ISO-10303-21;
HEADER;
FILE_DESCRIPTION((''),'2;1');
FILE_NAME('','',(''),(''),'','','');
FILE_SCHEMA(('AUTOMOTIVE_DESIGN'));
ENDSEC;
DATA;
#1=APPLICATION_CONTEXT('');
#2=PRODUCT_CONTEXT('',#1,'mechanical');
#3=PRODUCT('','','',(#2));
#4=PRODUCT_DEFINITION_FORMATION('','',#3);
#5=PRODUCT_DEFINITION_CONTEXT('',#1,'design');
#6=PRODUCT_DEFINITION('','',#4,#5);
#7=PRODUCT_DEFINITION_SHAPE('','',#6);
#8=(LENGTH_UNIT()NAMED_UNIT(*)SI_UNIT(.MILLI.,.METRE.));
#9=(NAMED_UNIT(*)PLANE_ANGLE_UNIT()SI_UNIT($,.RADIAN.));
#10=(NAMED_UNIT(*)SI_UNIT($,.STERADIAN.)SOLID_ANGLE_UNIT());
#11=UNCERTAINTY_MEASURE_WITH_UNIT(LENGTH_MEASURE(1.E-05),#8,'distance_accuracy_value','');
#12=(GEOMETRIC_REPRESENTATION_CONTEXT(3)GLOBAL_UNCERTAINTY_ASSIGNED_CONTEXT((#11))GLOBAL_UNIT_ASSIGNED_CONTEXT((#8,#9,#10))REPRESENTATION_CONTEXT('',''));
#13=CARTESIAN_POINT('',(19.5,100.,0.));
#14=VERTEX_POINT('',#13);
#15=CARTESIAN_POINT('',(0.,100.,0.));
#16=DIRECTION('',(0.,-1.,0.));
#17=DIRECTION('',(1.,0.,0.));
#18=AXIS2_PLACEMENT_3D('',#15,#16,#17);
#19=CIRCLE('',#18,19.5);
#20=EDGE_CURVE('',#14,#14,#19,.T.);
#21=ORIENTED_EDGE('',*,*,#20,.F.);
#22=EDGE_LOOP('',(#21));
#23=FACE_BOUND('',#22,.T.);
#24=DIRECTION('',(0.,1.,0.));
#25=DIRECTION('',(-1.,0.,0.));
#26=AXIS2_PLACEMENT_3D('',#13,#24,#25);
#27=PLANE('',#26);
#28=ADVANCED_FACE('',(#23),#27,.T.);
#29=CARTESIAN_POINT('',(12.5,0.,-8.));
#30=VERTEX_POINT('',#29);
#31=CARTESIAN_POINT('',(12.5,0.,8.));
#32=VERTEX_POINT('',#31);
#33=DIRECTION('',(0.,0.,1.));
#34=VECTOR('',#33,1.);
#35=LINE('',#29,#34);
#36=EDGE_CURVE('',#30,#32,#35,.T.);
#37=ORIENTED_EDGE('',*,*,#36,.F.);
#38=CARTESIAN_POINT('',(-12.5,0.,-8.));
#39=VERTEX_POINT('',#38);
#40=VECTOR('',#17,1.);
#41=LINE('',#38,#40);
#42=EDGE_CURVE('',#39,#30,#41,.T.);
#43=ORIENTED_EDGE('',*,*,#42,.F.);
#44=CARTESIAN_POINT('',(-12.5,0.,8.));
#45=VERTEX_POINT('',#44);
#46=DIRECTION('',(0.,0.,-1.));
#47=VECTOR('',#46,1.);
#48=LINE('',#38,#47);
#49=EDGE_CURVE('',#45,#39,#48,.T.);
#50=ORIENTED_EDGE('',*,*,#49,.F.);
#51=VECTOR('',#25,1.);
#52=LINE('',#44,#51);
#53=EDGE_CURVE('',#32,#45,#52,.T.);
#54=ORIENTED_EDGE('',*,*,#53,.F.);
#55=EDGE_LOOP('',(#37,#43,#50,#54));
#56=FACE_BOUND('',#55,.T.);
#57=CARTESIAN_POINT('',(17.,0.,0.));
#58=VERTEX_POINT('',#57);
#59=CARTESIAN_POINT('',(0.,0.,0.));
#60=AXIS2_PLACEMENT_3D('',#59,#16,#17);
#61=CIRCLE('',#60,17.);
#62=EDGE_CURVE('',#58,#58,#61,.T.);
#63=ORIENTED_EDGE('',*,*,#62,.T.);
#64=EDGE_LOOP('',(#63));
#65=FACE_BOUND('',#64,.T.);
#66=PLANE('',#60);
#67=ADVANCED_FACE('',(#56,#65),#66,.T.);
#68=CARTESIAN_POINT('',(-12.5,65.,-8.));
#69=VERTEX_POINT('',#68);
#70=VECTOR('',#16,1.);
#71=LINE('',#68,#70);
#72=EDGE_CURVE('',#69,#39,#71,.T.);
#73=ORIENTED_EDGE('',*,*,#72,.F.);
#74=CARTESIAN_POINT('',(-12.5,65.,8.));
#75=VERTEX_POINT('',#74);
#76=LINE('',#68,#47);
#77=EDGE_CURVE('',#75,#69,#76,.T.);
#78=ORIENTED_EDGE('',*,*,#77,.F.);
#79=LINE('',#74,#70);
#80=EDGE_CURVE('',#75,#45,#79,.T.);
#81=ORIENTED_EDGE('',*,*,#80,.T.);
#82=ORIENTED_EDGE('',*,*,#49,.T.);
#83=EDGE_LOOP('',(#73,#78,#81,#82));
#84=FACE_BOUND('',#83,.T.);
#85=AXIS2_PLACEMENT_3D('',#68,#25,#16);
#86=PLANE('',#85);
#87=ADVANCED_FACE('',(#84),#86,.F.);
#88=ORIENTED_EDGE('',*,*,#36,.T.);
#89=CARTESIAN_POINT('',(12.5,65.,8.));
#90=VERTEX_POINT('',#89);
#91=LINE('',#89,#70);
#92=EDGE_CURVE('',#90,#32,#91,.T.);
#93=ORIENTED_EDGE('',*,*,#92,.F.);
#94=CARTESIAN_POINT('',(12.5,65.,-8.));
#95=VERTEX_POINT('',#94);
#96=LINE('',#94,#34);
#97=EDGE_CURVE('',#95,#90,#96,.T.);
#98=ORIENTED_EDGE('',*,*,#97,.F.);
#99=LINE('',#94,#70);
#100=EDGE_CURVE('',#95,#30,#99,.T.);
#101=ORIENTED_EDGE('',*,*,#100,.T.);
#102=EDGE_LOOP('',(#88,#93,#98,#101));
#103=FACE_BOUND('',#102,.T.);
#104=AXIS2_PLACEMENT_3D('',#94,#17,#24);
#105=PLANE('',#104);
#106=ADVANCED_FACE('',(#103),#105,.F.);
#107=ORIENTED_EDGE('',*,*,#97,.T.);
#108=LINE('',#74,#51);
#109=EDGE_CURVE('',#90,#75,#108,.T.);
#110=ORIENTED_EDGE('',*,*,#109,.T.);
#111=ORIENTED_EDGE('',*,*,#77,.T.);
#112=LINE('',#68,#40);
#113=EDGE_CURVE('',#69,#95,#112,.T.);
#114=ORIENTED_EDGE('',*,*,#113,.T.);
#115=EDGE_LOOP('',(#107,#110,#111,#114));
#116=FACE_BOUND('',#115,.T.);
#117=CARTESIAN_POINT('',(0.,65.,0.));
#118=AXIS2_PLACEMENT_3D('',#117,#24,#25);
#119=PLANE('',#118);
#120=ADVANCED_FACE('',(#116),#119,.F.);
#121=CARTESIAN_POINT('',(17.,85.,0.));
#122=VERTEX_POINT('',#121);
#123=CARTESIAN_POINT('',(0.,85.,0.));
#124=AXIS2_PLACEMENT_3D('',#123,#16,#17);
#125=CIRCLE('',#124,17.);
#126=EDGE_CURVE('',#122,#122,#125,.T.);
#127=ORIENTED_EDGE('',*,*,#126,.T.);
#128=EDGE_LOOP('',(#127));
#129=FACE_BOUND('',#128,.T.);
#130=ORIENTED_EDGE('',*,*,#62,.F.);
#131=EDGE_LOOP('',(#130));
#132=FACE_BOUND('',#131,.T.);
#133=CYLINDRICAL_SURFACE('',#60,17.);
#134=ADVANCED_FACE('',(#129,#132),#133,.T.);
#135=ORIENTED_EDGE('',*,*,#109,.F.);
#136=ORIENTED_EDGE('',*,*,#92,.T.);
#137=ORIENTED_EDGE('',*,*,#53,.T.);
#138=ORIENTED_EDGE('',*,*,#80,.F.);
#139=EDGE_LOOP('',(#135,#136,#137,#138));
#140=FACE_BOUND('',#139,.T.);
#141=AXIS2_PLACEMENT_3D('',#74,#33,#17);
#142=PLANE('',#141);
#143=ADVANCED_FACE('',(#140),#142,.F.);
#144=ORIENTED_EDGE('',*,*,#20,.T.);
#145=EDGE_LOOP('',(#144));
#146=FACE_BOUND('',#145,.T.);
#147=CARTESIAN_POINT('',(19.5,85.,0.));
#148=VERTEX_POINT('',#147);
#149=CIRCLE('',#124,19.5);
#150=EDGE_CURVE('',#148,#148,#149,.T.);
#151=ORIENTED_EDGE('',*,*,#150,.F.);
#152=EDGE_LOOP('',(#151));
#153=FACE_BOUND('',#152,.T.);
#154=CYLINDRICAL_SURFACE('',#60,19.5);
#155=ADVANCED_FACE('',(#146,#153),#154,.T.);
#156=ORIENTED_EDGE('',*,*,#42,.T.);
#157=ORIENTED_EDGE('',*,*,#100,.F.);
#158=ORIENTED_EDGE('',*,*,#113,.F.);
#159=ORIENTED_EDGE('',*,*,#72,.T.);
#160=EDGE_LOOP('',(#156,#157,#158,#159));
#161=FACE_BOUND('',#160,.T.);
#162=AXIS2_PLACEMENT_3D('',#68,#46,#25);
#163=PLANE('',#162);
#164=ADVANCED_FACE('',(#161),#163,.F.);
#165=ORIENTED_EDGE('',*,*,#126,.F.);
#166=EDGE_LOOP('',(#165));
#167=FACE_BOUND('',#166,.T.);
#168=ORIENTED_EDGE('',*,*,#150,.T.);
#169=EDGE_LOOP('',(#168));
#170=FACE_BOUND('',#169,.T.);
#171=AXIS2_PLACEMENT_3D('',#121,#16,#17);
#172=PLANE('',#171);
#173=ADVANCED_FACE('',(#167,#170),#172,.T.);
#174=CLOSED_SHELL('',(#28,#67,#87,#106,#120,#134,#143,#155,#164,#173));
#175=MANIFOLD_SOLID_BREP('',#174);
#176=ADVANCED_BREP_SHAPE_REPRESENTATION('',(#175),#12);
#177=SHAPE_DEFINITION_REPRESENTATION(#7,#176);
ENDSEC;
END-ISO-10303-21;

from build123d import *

# Parameters (mm, degrees)
SKETCH_4_W          = 25
SKETCH_4_H          = 16
CUT_EXTRUDE_1_DEPTH = 65


with BuildPart() as part:
    # Эскиз3 → Повернуть2 (revolve)
    with BuildSketch(Plane.XY):
        Polygon((0, 0), (17, 0), (17, 85), (19.5, 85), (19.5, 100), (0, 100), align=None)
    revolve(axis=Axis((0, 0, 0), (0, 1, 0)))

    # Эскиз4 → Вырез-Вытянуть1 (cut)
    with BuildSketch(Plane.XZ):
        Rectangle(SKETCH_4_W, SKETCH_4_H)
    extrude(amount=-CUT_EXTRUDE_1_DEPTH, mode=Mode.SUBTRACT)


solid = part.part
